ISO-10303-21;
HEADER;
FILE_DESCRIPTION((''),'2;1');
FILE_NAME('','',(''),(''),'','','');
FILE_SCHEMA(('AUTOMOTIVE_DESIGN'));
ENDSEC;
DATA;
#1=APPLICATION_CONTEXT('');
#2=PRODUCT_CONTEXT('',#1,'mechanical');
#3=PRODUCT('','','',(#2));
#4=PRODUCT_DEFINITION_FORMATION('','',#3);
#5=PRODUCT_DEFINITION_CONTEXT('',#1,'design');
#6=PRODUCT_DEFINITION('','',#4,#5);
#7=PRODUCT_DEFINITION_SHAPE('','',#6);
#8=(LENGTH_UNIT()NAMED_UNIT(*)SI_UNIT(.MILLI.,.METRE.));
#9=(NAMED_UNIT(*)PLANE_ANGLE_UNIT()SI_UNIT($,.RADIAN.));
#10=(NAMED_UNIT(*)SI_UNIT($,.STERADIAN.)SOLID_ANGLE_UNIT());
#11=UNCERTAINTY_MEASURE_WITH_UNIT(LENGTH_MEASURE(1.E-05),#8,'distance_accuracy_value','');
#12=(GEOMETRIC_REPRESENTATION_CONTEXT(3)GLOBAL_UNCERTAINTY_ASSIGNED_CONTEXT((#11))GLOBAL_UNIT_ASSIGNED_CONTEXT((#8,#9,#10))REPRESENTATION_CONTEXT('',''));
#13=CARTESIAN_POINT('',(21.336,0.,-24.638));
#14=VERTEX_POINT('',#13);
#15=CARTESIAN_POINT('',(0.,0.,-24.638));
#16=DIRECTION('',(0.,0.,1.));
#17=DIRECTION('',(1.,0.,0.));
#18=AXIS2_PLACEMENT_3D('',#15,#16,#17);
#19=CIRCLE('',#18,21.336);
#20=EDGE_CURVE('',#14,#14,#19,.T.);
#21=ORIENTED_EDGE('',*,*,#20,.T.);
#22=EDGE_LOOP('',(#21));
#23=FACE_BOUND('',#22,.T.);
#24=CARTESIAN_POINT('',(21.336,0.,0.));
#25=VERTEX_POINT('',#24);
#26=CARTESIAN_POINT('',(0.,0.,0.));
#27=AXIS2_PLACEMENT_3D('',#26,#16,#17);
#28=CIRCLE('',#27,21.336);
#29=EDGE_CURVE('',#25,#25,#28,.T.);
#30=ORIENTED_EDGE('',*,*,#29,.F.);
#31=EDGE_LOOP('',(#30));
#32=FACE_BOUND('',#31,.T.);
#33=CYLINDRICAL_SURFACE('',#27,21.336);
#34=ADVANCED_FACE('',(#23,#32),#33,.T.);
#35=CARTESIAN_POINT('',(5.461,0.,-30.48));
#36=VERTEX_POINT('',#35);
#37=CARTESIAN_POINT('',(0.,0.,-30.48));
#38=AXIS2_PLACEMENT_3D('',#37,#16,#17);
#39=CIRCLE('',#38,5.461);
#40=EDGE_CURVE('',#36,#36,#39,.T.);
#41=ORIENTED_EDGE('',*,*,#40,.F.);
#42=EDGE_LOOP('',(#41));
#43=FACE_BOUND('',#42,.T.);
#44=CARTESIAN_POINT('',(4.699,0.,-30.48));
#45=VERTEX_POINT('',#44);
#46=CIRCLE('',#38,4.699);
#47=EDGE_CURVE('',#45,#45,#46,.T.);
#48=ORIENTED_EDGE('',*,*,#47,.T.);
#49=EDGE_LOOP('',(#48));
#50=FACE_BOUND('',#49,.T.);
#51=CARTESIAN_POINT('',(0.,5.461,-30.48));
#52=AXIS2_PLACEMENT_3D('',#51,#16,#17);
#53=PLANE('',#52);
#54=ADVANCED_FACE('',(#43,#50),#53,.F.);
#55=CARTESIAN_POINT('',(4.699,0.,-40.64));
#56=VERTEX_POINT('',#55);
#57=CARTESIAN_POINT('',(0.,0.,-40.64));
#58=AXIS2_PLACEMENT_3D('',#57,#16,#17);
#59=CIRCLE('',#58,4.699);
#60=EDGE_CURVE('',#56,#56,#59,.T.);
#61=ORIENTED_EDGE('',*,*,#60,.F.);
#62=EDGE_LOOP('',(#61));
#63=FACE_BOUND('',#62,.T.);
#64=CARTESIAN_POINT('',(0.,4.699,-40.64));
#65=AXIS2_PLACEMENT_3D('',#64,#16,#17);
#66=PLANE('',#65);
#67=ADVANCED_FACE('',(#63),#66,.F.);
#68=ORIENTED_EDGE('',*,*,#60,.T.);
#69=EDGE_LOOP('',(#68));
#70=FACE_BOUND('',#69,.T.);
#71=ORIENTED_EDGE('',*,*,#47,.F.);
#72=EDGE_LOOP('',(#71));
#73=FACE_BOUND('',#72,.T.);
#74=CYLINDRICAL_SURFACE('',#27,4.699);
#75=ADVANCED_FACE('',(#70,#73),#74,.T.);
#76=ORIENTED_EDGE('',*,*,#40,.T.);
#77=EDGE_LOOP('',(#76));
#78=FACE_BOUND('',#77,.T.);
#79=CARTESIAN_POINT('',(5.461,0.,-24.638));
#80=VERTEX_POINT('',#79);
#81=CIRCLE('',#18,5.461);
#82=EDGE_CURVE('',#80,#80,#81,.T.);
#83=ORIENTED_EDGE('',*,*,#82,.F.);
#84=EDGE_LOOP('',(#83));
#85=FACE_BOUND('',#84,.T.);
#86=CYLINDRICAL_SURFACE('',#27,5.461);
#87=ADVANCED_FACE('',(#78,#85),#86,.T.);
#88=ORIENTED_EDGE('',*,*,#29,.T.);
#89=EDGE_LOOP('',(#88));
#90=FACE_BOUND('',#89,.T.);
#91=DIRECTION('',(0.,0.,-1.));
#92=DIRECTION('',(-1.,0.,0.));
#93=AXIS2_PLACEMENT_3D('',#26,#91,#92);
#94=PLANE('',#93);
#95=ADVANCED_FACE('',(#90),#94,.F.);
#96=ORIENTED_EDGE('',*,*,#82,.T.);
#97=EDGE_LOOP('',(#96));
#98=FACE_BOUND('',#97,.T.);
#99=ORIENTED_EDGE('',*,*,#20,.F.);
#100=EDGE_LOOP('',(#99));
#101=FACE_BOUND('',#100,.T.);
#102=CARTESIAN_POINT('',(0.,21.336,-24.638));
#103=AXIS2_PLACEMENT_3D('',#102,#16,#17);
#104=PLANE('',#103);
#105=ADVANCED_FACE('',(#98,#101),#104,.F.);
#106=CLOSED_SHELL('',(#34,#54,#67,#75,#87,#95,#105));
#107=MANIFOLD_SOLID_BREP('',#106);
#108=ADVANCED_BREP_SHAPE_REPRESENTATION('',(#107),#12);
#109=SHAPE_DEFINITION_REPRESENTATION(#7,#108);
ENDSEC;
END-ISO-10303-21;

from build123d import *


with BuildPart() as part:
    # Sketch1 → Revolve1 (revolve)
    with BuildSketch(Plane(origin=(0, 0, 0), x_dir=(0, 0, -1), z_dir=(1, 0, 0)), mode=Mode.PRIVATE) as revolve1_sk:
        Polygon((0, 0), (0, 21.336), (24.638, 21.336), (24.638, 5.461), (30.48, 5.461), (30.48, 4.699), (40.64, 4.699), (40.64, 0), align=None)
    revolve(revolve1_sk.sketch.rotate(Axis((0, 0, 0), (0, 0, -1)), 90), axis=Axis((0, 0, 0), (0, 0, -1)))


solid = part.part
